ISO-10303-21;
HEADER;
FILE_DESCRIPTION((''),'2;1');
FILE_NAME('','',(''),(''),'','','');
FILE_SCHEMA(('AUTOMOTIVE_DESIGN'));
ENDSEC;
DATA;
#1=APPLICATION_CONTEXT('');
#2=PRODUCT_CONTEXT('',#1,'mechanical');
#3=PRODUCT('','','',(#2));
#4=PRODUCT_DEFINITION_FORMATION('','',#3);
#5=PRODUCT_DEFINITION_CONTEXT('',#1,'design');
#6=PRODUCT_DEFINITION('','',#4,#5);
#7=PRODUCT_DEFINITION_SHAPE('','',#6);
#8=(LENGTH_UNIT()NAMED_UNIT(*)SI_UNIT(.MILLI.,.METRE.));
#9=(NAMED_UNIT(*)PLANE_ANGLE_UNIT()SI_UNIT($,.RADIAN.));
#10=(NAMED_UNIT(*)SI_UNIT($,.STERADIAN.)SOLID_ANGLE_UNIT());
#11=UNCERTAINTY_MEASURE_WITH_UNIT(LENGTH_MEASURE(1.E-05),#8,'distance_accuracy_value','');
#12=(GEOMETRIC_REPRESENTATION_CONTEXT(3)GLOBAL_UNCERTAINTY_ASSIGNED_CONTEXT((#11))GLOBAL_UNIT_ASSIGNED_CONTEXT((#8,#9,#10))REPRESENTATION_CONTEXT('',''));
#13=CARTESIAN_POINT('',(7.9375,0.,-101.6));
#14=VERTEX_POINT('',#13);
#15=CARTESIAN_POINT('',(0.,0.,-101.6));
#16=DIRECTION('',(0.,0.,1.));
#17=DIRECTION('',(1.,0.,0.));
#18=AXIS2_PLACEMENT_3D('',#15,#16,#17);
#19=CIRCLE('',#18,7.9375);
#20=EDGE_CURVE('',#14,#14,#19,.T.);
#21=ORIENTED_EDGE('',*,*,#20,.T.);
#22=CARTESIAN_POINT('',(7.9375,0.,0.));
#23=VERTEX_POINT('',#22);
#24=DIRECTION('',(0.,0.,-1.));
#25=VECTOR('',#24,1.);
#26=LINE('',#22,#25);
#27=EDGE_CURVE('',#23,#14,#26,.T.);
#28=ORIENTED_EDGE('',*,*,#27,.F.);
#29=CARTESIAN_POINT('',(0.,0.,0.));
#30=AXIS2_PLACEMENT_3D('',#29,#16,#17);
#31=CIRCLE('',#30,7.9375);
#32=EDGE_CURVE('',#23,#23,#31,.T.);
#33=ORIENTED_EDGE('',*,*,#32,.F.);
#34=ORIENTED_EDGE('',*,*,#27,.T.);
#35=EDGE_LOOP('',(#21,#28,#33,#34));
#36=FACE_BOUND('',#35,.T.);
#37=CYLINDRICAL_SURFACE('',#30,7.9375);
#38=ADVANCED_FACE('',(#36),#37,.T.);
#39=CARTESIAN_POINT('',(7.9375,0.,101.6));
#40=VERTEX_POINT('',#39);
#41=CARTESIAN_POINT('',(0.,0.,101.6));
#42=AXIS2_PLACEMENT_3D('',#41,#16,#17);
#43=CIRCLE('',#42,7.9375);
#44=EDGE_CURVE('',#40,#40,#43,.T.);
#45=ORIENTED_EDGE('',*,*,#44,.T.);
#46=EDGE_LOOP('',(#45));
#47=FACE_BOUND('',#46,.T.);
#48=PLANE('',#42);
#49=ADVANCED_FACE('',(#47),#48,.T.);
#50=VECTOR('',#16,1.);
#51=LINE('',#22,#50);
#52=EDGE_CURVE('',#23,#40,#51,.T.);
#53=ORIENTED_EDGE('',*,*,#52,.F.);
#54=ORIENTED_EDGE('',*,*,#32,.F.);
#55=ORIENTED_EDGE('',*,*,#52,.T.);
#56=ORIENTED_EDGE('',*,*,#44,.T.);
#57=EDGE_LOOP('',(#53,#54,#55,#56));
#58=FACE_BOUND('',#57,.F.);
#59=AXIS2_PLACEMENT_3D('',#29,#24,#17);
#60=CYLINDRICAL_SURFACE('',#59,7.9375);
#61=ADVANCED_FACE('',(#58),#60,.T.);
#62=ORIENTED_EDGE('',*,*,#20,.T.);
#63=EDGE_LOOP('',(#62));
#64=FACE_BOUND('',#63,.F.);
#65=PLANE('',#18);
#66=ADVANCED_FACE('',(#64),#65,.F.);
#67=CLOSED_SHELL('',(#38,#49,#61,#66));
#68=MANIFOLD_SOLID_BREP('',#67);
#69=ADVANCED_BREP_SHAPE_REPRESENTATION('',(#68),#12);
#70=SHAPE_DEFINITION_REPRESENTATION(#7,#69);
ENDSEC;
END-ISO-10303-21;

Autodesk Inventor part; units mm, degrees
ref_plane "YZ Plane" through (0, 0, 0) normal (1, 0, 0) x (0, 1, 0)
ref_plane "XZ Plane" through (0, 0, 0) normal (0, 1, 0) x (-1, 0, 0)
ref_plane "XY Plane" through (0, 0, 0) normal (0, 0, 1) x (1, 0, 0)
sketch "Sketch1" plane through (0, 0, 0) normal (0, 0, 1) x (1, 0, 0)
  circle A0 centre (0, 0) radius 7.9375
  dimension "d0" = 15.875
extrude "Extrusion1" add sketch "Sketch1" along normal mid plane 203.2
properties part number "5_8_inSteelRod" material "Steel, Mild"
